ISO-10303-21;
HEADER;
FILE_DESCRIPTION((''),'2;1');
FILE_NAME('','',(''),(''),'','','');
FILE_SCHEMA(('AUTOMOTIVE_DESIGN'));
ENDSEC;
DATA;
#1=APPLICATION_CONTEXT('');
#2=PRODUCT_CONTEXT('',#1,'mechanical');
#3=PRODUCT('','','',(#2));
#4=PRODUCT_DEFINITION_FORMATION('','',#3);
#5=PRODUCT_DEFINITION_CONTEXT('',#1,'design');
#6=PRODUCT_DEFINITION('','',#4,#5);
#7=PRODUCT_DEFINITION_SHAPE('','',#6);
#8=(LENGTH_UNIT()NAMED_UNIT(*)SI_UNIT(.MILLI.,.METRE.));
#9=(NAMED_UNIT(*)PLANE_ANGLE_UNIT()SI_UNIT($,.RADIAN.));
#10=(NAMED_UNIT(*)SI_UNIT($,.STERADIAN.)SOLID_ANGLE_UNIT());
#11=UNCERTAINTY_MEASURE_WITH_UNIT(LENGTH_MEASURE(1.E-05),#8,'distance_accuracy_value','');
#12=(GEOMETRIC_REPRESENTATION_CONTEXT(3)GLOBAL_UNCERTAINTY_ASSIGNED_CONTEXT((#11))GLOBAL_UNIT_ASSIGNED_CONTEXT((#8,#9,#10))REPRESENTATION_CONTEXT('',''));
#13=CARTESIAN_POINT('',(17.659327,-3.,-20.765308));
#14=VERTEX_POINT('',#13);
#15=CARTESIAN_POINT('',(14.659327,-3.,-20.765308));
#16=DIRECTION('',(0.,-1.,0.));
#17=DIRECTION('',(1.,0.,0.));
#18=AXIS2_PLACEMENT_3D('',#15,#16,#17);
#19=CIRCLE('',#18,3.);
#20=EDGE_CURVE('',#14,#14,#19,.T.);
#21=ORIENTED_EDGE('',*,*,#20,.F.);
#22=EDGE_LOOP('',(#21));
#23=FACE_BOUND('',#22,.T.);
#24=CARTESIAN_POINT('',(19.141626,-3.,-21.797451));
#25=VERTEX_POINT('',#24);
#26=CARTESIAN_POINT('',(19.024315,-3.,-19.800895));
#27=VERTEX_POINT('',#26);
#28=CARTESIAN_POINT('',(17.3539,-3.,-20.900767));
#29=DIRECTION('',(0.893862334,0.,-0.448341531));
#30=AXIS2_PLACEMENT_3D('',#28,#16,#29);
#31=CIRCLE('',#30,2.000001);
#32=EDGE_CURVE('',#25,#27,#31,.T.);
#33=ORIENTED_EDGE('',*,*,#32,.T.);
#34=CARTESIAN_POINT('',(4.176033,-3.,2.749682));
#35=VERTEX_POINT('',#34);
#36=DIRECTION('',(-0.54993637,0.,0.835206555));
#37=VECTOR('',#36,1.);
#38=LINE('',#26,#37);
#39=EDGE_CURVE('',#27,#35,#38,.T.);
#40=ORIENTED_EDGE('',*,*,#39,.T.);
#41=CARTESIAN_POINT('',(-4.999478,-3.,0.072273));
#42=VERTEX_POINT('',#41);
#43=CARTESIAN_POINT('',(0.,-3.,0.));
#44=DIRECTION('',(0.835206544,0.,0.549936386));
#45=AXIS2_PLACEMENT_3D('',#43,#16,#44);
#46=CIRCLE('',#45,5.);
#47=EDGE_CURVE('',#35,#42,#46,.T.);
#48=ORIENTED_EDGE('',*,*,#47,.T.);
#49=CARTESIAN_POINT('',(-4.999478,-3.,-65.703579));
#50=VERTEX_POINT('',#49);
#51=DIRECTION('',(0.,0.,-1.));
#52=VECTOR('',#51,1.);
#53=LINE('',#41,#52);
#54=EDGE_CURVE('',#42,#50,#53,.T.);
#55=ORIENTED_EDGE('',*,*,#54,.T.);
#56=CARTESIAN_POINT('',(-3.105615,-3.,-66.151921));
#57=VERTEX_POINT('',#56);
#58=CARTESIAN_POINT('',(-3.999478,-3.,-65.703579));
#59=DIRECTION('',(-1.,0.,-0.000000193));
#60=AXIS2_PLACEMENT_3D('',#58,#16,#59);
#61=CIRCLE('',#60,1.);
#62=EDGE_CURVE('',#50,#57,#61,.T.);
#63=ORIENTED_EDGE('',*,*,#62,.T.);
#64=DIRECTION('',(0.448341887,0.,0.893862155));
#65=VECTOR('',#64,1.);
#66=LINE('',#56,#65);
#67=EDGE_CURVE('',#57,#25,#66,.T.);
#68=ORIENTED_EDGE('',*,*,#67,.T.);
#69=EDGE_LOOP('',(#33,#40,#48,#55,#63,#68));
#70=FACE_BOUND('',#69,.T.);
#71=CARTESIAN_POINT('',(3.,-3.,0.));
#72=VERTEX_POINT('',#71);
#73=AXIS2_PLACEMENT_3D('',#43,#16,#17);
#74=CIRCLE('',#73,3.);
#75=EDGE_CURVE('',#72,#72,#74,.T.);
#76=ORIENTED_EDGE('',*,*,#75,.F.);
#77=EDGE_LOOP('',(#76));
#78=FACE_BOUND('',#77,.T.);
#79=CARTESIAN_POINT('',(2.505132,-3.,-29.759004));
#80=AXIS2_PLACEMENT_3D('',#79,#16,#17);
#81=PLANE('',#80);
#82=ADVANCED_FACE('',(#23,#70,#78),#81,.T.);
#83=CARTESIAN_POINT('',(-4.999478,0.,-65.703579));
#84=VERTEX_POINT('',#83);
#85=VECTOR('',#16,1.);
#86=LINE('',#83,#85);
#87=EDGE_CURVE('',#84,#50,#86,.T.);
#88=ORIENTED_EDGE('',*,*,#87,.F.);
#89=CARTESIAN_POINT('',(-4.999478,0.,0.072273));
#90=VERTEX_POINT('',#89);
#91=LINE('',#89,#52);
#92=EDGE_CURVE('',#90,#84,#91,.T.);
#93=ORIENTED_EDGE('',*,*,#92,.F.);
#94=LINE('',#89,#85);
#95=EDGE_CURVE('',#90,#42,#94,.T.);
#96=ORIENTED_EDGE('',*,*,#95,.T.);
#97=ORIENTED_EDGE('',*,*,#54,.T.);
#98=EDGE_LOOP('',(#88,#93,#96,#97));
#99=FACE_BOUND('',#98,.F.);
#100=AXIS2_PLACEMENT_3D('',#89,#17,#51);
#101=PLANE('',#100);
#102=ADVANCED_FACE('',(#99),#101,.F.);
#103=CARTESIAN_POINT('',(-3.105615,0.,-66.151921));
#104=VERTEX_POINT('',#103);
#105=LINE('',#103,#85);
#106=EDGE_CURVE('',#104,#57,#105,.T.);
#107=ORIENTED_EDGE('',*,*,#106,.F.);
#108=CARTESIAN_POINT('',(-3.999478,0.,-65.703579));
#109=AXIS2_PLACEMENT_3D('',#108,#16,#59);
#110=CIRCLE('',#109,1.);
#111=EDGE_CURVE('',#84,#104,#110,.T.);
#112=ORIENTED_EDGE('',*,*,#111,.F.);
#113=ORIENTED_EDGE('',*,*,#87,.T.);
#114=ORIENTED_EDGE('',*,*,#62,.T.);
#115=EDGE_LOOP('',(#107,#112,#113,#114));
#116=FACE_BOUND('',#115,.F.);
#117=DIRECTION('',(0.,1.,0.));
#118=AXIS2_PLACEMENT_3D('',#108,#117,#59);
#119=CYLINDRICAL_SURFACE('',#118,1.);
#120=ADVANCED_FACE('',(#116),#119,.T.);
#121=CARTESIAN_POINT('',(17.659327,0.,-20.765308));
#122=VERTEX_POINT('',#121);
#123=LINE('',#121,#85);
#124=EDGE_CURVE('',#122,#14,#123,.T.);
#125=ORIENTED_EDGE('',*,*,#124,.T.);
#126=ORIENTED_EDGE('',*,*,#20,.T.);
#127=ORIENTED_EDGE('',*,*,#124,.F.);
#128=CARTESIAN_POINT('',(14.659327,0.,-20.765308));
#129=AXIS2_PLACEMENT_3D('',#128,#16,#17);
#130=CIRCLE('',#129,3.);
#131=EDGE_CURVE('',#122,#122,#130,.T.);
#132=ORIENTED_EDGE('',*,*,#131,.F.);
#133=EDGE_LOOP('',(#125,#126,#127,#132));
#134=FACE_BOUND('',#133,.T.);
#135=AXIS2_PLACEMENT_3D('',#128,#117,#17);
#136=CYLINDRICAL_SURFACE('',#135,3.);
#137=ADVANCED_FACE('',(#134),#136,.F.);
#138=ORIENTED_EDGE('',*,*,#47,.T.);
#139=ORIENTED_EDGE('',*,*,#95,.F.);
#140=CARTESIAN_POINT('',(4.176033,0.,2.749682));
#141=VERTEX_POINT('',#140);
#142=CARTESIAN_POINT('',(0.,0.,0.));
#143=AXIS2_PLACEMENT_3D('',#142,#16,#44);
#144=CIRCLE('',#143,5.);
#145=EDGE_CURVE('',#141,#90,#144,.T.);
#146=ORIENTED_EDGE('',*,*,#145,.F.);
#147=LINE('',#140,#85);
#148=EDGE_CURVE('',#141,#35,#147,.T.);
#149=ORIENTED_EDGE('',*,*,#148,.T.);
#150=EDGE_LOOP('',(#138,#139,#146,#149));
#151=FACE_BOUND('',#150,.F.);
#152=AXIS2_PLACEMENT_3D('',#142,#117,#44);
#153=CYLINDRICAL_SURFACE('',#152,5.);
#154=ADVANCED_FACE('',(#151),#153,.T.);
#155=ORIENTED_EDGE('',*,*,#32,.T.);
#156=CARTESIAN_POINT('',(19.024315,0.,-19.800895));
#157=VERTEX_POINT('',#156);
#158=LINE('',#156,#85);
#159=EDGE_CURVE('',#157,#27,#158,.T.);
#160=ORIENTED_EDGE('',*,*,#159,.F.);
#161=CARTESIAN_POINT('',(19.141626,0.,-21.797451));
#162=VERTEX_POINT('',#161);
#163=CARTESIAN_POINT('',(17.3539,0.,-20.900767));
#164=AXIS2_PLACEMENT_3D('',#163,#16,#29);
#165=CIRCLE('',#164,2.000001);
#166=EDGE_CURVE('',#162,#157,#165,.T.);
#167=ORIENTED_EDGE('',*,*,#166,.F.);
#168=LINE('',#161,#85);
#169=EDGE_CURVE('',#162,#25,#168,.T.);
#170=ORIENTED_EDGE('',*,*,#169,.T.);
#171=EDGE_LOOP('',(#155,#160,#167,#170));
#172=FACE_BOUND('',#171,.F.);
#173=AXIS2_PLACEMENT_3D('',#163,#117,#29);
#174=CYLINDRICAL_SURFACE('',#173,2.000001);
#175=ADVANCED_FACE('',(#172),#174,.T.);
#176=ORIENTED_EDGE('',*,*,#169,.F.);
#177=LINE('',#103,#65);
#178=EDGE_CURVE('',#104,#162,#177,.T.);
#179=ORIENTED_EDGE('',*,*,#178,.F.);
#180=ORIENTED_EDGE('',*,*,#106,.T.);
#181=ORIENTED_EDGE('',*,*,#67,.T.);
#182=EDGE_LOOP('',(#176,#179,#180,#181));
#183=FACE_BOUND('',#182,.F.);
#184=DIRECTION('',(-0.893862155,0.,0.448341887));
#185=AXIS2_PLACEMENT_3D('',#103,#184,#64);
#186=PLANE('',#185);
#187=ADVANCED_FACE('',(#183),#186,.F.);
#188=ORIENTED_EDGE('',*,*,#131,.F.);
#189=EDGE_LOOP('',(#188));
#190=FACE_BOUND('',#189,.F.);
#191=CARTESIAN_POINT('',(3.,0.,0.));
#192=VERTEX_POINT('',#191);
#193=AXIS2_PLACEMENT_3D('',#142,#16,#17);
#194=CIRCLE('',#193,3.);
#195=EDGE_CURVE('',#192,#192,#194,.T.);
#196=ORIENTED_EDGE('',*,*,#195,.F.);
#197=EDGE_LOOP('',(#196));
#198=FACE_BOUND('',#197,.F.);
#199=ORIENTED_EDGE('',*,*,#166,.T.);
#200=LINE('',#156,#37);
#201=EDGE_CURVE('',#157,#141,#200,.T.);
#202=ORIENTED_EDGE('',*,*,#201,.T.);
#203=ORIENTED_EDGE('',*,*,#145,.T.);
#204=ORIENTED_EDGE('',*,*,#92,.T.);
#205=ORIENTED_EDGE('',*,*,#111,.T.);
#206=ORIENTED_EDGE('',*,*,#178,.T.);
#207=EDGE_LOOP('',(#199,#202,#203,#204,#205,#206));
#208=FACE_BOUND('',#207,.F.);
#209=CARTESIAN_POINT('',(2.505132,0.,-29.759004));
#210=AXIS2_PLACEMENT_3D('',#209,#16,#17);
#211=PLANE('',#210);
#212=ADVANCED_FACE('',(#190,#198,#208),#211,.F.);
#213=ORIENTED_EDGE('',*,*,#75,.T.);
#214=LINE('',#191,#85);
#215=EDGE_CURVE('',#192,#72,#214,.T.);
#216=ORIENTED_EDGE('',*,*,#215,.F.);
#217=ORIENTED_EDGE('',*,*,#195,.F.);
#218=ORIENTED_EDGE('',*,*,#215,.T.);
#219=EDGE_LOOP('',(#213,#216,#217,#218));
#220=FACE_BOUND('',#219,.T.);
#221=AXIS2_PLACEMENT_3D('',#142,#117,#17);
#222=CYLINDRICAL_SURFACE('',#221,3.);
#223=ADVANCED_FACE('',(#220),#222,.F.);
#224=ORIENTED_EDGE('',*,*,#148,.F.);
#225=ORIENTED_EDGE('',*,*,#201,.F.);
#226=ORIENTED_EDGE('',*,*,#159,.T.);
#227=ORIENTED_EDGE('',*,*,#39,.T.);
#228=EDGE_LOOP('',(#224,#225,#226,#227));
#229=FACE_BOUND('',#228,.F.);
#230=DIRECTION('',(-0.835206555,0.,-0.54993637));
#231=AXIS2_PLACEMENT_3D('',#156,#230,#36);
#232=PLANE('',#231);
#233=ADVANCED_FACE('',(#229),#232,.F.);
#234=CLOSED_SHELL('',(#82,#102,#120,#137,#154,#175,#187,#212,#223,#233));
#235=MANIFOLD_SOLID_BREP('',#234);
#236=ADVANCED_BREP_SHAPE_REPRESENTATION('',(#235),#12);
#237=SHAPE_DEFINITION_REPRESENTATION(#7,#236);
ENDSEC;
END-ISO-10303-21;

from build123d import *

# Parameters (mm, degrees)
F0_R     = 3
F1_DEPTH = 3


with BuildPart() as f1:
    # F0 (on Front) → F1 (new body)
    with BuildSketch(Plane.XZ):
        with BuildLine():
            Line((19.024315, -19.800895), (4.176033, 2.749682))
            ThreePointArc((4.176033, 2.749682), (-1.400587, 4.799829), (-4.999478, 0.072273))
            Line((-4.999478, 0.072273), (-4.999478, -65.703579))
            ThreePointArc((-4.999478, -65.703579), (-4.229845, -66.676683), (-3.105615, -66.151921))
            Line((-3.105615, -66.151921), (19.141626, -21.797451))
            ThreePointArc((19.141626, -21.797451), (19.350458, -20.783456), (19.024315, -19.800895))
        make_face()
        Circle(F0_R, mode=Mode.SUBTRACT)
        with Locations((14.659327, -20.765308)):
            Circle(F0_R, mode=Mode.SUBTRACT)
    extrude(amount=F1_DEPTH)


solid = f1.part
